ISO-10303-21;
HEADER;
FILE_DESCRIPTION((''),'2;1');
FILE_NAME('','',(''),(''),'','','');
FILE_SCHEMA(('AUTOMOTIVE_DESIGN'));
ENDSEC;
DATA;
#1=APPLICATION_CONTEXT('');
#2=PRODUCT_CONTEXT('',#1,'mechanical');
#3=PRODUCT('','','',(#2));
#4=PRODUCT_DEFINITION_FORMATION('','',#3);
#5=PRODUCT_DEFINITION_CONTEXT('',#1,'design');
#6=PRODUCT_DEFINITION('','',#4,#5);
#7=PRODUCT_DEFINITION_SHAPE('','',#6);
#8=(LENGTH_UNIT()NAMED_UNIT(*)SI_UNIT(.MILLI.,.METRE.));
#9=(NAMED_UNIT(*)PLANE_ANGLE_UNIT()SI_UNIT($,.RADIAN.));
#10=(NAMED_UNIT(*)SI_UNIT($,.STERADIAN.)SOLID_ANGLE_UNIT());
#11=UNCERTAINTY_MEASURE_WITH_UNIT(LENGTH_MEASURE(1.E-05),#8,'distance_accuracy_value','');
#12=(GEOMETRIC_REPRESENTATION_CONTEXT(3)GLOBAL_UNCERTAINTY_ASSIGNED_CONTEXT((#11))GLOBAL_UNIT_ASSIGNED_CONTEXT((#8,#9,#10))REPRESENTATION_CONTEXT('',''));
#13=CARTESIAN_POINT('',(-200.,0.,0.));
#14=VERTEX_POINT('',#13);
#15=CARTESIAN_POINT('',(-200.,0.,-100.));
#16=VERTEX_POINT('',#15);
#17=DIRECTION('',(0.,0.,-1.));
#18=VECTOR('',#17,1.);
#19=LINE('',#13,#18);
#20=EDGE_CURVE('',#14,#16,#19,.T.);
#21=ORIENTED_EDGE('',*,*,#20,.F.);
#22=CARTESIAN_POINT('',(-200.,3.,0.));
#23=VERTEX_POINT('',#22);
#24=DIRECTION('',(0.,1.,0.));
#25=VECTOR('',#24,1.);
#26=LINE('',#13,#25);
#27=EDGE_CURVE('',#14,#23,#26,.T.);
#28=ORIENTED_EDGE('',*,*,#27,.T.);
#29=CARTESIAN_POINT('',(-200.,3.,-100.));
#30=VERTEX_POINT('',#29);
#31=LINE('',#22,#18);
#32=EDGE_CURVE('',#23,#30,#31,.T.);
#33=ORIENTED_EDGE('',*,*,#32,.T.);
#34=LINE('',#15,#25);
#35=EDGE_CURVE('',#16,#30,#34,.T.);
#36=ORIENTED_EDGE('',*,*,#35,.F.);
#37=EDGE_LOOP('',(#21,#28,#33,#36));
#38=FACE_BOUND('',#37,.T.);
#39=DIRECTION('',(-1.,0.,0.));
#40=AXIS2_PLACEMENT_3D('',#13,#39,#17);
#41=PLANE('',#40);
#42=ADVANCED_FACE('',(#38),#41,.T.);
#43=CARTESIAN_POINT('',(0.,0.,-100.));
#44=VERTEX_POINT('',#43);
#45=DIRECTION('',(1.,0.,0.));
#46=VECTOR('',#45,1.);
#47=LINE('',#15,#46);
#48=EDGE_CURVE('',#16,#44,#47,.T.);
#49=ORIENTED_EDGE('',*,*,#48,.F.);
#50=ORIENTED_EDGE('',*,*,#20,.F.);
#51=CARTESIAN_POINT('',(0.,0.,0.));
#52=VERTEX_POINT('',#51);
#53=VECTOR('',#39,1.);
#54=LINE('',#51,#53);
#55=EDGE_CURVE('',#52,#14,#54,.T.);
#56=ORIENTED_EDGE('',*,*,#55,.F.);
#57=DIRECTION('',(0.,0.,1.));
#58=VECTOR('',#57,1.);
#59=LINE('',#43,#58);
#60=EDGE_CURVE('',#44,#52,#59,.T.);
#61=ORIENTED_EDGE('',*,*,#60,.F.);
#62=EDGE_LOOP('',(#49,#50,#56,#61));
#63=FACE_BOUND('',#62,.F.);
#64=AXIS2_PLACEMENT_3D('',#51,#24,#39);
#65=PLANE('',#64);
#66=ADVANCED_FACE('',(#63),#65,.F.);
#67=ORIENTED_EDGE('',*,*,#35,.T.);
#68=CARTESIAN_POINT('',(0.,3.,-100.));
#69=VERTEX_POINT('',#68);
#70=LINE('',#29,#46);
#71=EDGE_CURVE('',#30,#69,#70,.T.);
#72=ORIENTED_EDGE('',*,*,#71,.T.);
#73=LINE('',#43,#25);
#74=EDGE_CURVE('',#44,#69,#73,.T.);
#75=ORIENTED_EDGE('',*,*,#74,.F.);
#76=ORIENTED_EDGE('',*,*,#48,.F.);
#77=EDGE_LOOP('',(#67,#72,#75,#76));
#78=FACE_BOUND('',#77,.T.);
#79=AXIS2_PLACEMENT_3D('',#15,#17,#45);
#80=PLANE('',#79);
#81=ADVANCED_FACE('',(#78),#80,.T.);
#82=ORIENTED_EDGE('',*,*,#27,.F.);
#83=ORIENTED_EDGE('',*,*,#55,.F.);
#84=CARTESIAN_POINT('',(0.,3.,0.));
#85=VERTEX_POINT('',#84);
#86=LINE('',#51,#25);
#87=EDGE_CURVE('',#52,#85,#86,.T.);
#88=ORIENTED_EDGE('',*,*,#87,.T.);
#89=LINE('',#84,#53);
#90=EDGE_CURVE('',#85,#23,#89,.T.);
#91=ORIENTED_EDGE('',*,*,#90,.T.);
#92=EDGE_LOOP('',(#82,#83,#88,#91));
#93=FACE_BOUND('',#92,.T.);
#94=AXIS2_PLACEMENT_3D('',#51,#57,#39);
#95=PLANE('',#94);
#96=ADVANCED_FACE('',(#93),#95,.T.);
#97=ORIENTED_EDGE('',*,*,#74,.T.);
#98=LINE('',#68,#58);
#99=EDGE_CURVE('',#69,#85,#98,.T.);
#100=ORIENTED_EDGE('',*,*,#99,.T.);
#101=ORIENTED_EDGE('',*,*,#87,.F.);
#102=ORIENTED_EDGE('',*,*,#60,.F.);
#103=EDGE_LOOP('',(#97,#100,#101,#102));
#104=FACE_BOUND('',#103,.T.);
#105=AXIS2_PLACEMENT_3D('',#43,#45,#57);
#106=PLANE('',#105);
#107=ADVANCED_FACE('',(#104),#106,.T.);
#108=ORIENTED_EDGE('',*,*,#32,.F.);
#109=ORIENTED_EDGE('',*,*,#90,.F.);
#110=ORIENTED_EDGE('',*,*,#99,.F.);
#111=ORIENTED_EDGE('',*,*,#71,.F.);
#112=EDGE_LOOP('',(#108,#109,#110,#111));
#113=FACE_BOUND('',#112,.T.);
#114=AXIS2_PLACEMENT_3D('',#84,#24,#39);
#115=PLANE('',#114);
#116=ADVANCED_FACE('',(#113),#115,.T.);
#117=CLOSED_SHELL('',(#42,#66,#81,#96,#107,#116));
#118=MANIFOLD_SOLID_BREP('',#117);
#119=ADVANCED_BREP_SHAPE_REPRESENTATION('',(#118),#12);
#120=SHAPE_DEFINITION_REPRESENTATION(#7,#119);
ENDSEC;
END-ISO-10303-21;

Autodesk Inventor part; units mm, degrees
ref_plane "YZ Plane" through (0, 0, 0) normal (1, 0, 0) x (0, 1, 0)
ref_plane "XZ Plane" through (0, 0, 0) normal (0, 1, 0) x (-1, 0, 0)
ref_plane "XY Plane" through (0, 0, 0) normal (0, 0, 1) x (1, 0, 0)
sketch "Sketch1" plane through (0, 0, 0) normal (0, 1, 0) x (-1, 0, 0)
  line L0 (0, 0) -> (200, 0)
  line L1 (200, 0) -> (200, -100)
  line L2 (200, -100) -> (0, -100)
  line L3 (0, -100) -> (0, 0)
  dimension "d0" = 200
  dimension "d1" = 100
extrude "Extrusion1" add sketch "Sketch1" along normal blind 3
